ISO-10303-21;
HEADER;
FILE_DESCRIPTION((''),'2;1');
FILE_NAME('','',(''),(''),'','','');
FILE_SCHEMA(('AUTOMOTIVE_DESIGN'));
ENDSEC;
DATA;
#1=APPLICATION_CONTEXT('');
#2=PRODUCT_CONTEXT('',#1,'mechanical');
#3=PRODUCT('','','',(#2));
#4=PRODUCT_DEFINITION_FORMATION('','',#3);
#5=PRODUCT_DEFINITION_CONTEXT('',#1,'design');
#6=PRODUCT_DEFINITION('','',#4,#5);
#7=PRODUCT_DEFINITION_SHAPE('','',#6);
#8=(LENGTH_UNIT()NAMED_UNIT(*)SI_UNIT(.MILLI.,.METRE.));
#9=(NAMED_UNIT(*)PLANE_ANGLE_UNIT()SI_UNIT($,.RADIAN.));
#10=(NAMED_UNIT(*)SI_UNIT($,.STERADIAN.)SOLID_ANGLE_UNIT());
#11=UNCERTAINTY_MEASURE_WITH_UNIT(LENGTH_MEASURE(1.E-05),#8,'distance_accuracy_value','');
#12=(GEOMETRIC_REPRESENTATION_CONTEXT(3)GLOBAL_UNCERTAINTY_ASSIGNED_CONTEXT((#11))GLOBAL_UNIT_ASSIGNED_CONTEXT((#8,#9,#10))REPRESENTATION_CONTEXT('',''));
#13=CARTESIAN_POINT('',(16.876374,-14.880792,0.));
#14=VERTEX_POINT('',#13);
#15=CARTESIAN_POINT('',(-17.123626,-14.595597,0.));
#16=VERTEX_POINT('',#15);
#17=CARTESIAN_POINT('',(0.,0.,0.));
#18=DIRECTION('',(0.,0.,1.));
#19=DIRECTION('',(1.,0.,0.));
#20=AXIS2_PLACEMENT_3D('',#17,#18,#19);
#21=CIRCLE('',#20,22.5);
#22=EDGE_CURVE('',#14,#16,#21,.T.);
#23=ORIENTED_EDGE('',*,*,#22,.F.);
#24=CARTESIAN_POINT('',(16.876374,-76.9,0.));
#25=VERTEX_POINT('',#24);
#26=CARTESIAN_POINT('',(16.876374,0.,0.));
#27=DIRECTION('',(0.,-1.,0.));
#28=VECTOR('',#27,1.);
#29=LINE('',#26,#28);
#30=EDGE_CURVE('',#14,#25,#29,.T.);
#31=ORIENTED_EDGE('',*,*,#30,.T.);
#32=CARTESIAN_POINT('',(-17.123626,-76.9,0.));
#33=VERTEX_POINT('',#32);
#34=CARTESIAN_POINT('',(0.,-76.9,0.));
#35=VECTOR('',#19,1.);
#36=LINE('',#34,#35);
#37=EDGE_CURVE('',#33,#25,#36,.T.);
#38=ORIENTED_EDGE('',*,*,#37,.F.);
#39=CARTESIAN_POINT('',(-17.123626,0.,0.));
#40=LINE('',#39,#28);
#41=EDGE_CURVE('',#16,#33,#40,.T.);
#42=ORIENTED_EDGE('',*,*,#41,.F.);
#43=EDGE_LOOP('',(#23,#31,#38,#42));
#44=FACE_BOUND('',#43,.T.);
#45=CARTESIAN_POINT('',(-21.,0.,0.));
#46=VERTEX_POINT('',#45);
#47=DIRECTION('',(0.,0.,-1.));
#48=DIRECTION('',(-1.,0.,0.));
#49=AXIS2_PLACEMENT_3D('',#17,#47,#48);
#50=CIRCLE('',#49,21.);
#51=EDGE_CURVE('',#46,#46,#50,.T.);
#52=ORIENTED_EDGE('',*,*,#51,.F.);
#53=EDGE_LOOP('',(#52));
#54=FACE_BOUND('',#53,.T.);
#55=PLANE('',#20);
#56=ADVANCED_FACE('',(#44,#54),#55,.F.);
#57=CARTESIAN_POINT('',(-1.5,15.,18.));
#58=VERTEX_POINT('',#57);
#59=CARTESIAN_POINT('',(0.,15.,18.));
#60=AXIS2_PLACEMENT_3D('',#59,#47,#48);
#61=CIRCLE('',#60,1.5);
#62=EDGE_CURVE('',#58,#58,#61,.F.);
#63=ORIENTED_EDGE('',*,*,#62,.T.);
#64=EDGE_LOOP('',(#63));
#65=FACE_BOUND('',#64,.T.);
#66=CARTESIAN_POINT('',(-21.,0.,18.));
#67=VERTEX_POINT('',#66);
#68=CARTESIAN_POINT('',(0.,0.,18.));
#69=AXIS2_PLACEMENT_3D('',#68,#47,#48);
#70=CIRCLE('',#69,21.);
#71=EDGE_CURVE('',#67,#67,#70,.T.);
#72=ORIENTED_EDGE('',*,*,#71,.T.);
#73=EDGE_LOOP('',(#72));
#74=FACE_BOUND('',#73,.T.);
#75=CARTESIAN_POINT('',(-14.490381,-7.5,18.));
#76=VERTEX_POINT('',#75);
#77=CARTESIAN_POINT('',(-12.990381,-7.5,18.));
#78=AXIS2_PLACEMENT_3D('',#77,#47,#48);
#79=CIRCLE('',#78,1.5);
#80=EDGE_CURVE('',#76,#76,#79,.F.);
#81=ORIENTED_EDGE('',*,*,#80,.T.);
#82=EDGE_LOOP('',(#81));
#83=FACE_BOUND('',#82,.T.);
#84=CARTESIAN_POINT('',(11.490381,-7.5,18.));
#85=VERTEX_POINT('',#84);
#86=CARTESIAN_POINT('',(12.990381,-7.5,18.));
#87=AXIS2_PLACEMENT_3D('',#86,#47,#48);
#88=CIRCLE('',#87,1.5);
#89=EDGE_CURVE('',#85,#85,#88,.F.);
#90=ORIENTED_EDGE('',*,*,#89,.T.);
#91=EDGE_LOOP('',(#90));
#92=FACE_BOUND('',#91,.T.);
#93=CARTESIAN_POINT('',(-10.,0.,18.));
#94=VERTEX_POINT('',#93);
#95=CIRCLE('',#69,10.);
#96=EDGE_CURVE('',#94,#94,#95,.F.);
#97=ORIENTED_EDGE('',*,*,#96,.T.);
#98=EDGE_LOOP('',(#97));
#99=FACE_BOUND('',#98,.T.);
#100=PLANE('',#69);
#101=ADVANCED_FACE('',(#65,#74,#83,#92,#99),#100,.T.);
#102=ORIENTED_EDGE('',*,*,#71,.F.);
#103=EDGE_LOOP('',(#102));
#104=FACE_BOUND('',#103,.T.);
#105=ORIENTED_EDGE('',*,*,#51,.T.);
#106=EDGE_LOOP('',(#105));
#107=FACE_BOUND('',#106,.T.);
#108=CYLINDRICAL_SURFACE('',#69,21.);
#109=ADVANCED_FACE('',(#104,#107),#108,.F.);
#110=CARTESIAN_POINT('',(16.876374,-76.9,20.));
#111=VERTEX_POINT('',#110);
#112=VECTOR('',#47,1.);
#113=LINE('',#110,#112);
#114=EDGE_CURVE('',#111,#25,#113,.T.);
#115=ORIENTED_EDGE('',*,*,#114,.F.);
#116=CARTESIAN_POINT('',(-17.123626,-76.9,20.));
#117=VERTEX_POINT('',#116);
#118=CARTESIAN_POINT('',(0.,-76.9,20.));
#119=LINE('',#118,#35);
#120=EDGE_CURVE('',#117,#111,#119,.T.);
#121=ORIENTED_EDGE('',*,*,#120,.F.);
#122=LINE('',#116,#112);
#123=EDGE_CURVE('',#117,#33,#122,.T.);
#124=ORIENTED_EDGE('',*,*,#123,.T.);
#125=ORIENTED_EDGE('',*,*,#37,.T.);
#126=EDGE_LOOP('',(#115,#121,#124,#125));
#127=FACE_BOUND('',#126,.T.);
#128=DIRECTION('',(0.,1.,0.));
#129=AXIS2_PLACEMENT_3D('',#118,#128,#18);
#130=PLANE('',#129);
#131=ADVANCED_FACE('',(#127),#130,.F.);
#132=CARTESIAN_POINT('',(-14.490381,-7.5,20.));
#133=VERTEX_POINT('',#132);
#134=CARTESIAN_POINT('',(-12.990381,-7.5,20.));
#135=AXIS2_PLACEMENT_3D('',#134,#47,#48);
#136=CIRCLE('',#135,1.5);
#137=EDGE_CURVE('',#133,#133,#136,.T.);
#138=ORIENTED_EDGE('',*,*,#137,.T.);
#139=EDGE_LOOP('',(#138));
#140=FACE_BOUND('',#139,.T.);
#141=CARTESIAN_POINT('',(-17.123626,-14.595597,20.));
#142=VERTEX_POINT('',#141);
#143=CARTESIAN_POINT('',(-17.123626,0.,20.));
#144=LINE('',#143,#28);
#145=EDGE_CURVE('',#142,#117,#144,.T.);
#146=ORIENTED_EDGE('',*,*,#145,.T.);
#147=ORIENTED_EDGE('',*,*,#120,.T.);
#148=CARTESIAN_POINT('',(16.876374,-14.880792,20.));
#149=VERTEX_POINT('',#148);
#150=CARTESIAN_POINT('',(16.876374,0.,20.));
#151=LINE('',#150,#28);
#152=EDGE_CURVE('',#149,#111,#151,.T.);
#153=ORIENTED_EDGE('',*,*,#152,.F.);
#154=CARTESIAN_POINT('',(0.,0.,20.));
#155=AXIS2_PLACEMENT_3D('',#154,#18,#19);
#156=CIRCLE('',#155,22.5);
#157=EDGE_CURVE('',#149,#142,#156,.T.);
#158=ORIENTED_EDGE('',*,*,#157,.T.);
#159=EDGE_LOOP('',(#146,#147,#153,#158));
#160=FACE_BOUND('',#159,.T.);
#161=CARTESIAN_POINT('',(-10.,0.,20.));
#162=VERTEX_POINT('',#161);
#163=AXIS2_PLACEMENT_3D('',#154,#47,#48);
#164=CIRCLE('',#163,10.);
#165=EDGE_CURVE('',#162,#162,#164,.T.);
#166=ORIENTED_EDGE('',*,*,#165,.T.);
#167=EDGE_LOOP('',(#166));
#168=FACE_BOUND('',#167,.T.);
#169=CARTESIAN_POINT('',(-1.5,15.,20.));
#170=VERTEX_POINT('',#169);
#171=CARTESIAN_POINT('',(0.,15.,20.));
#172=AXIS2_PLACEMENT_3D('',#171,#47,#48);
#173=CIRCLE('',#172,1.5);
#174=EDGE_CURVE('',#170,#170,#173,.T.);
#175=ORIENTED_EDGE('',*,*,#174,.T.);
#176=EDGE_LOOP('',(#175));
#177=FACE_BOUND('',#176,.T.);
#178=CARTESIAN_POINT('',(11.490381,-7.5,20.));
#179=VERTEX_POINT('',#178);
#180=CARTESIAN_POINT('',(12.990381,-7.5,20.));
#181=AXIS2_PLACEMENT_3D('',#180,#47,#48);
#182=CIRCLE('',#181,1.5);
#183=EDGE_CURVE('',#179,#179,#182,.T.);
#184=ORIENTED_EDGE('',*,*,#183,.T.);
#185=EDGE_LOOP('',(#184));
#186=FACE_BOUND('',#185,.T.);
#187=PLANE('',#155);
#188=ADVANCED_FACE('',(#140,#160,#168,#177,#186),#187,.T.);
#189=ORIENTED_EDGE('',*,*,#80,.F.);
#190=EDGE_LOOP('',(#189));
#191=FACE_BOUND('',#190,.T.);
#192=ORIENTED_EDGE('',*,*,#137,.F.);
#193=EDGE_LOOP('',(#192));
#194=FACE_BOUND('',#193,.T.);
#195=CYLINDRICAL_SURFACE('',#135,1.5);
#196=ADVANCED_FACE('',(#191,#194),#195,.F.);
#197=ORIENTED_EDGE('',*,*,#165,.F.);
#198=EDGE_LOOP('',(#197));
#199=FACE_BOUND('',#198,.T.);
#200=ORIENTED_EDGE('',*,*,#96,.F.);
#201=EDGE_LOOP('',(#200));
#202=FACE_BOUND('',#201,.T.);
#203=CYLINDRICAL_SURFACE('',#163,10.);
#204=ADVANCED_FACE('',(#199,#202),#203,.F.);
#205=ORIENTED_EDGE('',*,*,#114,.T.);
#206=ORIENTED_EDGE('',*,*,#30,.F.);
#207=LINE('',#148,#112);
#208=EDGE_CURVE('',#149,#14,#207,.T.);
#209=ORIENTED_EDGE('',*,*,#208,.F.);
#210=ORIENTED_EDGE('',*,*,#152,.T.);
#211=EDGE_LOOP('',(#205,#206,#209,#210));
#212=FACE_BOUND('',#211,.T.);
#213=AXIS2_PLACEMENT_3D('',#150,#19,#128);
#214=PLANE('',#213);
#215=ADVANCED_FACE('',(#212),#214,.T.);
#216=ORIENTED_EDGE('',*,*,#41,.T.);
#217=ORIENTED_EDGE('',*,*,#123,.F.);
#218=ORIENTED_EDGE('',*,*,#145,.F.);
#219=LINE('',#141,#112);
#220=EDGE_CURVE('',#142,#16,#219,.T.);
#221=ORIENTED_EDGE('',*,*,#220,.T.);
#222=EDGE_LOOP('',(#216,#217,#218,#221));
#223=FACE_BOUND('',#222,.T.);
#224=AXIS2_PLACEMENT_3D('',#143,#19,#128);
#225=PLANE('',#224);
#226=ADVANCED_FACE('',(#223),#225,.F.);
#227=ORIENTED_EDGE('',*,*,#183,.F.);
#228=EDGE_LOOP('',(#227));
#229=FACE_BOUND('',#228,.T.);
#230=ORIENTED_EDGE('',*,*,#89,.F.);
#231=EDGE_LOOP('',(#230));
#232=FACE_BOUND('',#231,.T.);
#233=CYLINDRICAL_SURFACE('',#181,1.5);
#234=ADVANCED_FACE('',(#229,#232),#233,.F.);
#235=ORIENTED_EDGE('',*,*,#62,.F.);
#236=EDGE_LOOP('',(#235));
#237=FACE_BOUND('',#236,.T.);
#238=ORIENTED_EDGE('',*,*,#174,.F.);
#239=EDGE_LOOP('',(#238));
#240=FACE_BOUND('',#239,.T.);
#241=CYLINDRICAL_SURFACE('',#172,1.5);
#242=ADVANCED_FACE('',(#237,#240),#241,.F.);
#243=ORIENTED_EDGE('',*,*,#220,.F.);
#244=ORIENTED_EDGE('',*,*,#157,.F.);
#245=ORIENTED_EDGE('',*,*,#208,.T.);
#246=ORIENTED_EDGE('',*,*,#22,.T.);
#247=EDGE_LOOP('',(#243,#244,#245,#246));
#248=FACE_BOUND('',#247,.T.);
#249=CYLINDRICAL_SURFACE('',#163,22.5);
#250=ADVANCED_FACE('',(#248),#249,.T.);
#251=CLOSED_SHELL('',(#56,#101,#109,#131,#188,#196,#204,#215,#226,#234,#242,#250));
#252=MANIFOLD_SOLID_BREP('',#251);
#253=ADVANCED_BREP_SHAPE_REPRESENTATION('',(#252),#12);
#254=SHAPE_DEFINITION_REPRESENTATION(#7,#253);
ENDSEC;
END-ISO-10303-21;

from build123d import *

# Parameters (mm, degrees)
SKETCH1_R           = 22.5
BOSS_EXTRUDE1_DEPTH = 20
SKETCH2_R           = 10
CUT_EXTRUDE1_DEPTH  = 20
SKETCH3_R           = 1.5
CUT_EXTRUDE2_DEPTH  = 20
SKETCH4_R           = 21
CUT_EXTRUDE3_DEPTH  = 18


with BuildPart() as part:
    # Sketch1 → Boss-Extrude1 (new body)
    with BuildSketch(Plane.XY):
        Circle(SKETCH1_R)
        with BuildLine():
            Line((-17.123625514, -14.595596913), (-17.123625514, -76.9))
            Line((-17.123625514, -76.9), (16.876374486, -76.9))
            Line((16.876374486, -76.9), (16.876374486, -14.880792459))
            ThreePointArc((16.876374486, -14.880792459), (-0.188725707, -22.499208488), (-17.123625514, -14.595596913))
        make_face()
    extrude(amount=BOSS_EXTRUDE1_DEPTH)

    # Sketch2 → Cut-Extrude1 (cut)
    with BuildSketch(Plane(origin=(0, 0, 0), x_dir=(-1, 0, 0), z_dir=(0, 0, -1))):
        Circle(SKETCH2_R)
    extrude(amount=-CUT_EXTRUDE1_DEPTH, mode=Mode.SUBTRACT)

    # Sketch3 → Cut-Extrude2 (cut)
    with BuildSketch(Plane(origin=(0, 0, 0), x_dir=(-1, 0, 0), z_dir=(0, 0, -1))):
        with Locations((0, 15)):
            Circle(SKETCH3_R)
        with Locations((12.990381057, -7.5)):
            Circle(SKETCH3_R)
        with Locations((-12.990381057, -7.5)):
            Circle(SKETCH3_R)
    extrude(amount=-CUT_EXTRUDE2_DEPTH, mode=Mode.SUBTRACT)

    # Sketch4 → Cut-Extrude3 (cut)
    with BuildSketch(Plane(origin=(0, 0, 0), x_dir=(-1, 0, 0), z_dir=(0, 0, -1))):
        Circle(SKETCH4_R)
    extrude(amount=-CUT_EXTRUDE3_DEPTH, mode=Mode.SUBTRACT)


solid = part.part
